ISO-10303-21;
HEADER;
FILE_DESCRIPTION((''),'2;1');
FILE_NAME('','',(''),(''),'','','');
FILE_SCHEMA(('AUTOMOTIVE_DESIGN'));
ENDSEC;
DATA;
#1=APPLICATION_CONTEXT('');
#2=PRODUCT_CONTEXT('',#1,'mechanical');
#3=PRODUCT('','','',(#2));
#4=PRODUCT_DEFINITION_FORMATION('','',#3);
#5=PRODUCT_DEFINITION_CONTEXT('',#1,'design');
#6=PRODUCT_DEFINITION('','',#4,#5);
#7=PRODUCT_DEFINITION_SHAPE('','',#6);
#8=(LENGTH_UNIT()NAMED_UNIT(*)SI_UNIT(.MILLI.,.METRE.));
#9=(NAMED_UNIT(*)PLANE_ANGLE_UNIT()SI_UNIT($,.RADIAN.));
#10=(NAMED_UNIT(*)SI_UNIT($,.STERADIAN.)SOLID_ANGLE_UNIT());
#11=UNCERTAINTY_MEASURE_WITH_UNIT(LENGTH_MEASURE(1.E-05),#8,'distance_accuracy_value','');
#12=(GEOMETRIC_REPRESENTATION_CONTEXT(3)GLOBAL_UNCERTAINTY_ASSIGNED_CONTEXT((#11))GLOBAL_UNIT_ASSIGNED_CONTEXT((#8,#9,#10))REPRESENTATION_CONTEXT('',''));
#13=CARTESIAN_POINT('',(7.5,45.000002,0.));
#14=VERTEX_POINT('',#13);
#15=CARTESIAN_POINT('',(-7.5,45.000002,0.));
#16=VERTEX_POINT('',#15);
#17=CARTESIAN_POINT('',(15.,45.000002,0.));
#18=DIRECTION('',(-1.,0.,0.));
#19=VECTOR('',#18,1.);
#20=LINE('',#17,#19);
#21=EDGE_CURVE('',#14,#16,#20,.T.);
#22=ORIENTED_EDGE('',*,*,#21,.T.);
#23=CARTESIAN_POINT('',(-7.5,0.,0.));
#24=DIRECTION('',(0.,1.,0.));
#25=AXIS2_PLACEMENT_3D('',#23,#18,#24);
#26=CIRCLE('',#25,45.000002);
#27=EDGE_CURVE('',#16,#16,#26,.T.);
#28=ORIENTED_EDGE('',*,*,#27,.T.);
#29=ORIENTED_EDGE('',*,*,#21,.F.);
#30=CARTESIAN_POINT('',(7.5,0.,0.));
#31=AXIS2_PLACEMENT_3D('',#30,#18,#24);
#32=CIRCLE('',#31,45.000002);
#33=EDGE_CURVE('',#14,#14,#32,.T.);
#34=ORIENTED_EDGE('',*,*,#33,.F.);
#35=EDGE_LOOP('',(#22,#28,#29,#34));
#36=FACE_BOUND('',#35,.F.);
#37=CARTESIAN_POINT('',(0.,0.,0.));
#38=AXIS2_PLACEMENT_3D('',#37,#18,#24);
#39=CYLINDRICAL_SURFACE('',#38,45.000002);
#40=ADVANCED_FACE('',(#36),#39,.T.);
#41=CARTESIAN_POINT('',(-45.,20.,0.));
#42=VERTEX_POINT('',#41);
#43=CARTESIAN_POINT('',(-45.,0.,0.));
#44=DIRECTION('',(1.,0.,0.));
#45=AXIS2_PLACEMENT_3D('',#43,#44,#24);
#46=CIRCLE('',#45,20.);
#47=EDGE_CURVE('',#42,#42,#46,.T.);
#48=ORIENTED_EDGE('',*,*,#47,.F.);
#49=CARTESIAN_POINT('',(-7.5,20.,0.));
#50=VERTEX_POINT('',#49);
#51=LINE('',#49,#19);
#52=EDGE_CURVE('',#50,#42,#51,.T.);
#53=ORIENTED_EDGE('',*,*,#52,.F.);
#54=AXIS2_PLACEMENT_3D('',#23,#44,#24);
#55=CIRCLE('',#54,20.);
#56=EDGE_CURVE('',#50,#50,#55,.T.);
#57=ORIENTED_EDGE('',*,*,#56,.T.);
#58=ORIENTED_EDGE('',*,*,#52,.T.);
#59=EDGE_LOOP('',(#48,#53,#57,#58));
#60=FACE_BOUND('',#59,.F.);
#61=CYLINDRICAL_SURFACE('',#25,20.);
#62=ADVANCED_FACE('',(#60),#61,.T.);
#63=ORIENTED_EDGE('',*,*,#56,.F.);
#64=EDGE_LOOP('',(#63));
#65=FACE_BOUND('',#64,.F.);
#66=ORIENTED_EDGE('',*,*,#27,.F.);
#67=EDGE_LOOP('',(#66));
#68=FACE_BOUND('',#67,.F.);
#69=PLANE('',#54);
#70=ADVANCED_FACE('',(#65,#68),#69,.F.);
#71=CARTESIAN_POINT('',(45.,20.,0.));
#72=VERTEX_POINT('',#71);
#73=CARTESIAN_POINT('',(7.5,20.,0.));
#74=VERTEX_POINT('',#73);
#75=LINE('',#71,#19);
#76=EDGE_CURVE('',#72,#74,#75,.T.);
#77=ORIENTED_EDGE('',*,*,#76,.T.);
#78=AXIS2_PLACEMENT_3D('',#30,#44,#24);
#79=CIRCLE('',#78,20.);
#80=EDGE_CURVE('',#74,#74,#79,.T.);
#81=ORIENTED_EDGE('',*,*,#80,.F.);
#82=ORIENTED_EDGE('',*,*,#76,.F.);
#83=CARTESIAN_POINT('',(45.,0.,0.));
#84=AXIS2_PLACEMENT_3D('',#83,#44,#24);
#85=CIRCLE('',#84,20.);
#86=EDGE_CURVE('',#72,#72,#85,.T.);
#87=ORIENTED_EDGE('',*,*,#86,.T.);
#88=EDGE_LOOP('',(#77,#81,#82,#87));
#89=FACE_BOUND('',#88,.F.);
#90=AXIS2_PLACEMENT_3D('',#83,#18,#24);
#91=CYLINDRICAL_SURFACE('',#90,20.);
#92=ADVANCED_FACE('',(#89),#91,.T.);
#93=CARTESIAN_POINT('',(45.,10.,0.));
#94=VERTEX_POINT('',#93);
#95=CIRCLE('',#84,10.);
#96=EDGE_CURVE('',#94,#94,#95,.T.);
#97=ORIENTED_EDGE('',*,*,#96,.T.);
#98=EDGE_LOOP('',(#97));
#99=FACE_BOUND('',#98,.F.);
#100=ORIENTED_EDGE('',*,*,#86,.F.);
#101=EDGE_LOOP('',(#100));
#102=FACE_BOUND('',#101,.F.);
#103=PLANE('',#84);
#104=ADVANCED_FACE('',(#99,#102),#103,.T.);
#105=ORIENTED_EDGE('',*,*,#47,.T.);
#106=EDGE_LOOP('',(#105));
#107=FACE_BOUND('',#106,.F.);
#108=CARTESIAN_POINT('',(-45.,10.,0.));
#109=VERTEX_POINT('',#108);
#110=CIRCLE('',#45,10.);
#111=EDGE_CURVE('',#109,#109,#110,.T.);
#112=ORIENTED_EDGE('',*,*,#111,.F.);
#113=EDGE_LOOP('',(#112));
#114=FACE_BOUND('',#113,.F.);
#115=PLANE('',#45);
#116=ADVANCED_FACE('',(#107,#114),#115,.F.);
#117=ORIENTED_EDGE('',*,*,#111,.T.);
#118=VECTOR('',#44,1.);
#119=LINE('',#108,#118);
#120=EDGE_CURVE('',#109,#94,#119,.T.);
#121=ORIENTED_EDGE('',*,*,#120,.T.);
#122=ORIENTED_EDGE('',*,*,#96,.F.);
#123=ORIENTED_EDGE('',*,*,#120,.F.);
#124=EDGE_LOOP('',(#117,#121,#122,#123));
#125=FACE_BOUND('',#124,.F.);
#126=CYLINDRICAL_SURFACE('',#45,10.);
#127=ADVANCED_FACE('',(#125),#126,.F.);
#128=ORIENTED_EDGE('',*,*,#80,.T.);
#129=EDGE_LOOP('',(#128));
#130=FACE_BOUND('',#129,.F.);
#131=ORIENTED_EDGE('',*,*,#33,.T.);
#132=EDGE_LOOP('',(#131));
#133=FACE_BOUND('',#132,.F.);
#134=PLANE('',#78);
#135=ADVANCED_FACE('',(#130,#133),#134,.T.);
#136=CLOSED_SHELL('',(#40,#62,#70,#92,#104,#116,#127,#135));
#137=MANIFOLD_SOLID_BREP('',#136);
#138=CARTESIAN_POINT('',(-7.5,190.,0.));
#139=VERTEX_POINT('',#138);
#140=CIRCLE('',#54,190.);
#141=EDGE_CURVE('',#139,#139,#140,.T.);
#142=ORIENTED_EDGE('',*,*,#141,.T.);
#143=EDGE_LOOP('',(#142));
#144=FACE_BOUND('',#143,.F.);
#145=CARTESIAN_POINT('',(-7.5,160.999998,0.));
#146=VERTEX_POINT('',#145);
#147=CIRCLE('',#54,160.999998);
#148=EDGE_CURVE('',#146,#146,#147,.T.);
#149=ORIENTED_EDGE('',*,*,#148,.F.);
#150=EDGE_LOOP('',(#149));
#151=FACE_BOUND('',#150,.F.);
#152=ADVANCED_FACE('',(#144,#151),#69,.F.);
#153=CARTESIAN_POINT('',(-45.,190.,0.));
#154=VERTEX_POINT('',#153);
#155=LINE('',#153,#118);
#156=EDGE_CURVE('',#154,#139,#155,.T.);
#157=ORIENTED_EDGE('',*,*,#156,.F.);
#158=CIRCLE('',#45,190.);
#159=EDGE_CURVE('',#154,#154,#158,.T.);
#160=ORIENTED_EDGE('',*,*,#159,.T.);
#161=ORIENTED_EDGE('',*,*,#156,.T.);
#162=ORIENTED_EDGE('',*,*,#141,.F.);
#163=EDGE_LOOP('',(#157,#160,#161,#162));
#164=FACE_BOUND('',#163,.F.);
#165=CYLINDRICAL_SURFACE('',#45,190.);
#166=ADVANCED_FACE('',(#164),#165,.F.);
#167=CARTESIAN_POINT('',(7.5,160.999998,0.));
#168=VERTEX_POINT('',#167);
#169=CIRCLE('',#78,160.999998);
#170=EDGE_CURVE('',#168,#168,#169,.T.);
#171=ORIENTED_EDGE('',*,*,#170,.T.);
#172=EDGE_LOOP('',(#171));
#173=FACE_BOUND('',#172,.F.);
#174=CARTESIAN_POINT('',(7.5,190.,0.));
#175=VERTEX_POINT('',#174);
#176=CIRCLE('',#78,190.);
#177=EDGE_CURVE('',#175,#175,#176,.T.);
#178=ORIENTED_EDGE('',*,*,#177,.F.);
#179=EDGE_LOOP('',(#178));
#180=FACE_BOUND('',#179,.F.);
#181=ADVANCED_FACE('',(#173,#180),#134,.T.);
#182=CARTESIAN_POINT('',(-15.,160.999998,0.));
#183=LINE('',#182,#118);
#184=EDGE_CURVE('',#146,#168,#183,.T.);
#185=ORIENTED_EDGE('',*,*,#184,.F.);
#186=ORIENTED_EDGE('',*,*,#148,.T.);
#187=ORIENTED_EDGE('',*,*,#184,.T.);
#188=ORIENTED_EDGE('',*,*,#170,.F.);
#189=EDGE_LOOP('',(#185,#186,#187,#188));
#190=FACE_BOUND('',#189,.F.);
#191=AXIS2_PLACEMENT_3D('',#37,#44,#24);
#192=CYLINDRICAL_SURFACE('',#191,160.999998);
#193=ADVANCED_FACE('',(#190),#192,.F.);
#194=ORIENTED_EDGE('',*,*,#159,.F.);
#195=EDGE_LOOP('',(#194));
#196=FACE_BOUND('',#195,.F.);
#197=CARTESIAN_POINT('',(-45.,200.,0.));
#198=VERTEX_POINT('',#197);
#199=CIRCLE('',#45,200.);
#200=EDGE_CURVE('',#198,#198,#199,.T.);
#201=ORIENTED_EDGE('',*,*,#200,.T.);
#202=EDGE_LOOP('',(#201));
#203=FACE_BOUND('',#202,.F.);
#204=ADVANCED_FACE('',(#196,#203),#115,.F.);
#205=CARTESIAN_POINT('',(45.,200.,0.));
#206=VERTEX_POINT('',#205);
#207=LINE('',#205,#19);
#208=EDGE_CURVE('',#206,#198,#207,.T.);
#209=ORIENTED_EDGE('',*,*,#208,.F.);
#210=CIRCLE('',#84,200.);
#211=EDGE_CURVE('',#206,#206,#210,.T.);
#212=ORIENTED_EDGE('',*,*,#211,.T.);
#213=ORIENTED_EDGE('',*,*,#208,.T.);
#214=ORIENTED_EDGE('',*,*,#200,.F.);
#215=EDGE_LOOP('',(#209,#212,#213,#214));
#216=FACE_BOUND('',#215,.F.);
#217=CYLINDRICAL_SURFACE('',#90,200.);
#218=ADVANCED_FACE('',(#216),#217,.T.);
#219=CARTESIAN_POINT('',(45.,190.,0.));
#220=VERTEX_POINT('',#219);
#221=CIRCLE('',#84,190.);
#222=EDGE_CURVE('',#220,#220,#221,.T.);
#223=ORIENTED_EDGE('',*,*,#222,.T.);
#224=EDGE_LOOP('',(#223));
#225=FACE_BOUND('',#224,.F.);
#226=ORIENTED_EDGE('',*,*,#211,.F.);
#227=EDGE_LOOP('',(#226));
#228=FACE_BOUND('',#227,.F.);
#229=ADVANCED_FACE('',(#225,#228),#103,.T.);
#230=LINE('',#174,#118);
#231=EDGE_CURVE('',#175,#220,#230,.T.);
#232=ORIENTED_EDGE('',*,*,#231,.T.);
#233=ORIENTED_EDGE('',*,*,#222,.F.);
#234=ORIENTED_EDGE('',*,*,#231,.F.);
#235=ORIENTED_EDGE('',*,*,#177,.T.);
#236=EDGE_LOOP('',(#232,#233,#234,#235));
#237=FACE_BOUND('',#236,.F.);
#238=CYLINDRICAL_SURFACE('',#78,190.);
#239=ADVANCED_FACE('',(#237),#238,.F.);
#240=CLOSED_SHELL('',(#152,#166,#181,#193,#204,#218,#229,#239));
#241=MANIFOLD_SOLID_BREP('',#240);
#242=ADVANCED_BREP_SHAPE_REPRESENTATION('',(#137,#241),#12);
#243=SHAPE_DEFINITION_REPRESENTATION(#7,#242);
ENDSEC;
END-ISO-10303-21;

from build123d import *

# Parameters (mm, degrees)
F2_R     = 160.999998
F2_R_2   = 45.000002
F3_DEPTH = 15


with BuildPart() as f1:
    # F0 (on Top) → F1 (revolve)
    with BuildSketch(Plane.XY):
        Polygon((-45, 20), (-45, 10), (45, 10), (45, 20), (7.5, 20), (7.5, 190), (45, 190), (45, 200), (-45, 200), (-45, 190), (-7.5, 190), (-7.5, 20), align=None)
    revolve(axis=Axis((0, 0, 0), (1, 0, 0)))

    # F2 (on Right) → F3 (cut, symmetric)
    with BuildSketch(Plane.YZ):
        Circle(F2_R)
        Circle(F2_R_2, mode=Mode.SUBTRACT)
    extrude(amount=F3_DEPTH, both=True, mode=Mode.SUBTRACT)


solid = f1.part
